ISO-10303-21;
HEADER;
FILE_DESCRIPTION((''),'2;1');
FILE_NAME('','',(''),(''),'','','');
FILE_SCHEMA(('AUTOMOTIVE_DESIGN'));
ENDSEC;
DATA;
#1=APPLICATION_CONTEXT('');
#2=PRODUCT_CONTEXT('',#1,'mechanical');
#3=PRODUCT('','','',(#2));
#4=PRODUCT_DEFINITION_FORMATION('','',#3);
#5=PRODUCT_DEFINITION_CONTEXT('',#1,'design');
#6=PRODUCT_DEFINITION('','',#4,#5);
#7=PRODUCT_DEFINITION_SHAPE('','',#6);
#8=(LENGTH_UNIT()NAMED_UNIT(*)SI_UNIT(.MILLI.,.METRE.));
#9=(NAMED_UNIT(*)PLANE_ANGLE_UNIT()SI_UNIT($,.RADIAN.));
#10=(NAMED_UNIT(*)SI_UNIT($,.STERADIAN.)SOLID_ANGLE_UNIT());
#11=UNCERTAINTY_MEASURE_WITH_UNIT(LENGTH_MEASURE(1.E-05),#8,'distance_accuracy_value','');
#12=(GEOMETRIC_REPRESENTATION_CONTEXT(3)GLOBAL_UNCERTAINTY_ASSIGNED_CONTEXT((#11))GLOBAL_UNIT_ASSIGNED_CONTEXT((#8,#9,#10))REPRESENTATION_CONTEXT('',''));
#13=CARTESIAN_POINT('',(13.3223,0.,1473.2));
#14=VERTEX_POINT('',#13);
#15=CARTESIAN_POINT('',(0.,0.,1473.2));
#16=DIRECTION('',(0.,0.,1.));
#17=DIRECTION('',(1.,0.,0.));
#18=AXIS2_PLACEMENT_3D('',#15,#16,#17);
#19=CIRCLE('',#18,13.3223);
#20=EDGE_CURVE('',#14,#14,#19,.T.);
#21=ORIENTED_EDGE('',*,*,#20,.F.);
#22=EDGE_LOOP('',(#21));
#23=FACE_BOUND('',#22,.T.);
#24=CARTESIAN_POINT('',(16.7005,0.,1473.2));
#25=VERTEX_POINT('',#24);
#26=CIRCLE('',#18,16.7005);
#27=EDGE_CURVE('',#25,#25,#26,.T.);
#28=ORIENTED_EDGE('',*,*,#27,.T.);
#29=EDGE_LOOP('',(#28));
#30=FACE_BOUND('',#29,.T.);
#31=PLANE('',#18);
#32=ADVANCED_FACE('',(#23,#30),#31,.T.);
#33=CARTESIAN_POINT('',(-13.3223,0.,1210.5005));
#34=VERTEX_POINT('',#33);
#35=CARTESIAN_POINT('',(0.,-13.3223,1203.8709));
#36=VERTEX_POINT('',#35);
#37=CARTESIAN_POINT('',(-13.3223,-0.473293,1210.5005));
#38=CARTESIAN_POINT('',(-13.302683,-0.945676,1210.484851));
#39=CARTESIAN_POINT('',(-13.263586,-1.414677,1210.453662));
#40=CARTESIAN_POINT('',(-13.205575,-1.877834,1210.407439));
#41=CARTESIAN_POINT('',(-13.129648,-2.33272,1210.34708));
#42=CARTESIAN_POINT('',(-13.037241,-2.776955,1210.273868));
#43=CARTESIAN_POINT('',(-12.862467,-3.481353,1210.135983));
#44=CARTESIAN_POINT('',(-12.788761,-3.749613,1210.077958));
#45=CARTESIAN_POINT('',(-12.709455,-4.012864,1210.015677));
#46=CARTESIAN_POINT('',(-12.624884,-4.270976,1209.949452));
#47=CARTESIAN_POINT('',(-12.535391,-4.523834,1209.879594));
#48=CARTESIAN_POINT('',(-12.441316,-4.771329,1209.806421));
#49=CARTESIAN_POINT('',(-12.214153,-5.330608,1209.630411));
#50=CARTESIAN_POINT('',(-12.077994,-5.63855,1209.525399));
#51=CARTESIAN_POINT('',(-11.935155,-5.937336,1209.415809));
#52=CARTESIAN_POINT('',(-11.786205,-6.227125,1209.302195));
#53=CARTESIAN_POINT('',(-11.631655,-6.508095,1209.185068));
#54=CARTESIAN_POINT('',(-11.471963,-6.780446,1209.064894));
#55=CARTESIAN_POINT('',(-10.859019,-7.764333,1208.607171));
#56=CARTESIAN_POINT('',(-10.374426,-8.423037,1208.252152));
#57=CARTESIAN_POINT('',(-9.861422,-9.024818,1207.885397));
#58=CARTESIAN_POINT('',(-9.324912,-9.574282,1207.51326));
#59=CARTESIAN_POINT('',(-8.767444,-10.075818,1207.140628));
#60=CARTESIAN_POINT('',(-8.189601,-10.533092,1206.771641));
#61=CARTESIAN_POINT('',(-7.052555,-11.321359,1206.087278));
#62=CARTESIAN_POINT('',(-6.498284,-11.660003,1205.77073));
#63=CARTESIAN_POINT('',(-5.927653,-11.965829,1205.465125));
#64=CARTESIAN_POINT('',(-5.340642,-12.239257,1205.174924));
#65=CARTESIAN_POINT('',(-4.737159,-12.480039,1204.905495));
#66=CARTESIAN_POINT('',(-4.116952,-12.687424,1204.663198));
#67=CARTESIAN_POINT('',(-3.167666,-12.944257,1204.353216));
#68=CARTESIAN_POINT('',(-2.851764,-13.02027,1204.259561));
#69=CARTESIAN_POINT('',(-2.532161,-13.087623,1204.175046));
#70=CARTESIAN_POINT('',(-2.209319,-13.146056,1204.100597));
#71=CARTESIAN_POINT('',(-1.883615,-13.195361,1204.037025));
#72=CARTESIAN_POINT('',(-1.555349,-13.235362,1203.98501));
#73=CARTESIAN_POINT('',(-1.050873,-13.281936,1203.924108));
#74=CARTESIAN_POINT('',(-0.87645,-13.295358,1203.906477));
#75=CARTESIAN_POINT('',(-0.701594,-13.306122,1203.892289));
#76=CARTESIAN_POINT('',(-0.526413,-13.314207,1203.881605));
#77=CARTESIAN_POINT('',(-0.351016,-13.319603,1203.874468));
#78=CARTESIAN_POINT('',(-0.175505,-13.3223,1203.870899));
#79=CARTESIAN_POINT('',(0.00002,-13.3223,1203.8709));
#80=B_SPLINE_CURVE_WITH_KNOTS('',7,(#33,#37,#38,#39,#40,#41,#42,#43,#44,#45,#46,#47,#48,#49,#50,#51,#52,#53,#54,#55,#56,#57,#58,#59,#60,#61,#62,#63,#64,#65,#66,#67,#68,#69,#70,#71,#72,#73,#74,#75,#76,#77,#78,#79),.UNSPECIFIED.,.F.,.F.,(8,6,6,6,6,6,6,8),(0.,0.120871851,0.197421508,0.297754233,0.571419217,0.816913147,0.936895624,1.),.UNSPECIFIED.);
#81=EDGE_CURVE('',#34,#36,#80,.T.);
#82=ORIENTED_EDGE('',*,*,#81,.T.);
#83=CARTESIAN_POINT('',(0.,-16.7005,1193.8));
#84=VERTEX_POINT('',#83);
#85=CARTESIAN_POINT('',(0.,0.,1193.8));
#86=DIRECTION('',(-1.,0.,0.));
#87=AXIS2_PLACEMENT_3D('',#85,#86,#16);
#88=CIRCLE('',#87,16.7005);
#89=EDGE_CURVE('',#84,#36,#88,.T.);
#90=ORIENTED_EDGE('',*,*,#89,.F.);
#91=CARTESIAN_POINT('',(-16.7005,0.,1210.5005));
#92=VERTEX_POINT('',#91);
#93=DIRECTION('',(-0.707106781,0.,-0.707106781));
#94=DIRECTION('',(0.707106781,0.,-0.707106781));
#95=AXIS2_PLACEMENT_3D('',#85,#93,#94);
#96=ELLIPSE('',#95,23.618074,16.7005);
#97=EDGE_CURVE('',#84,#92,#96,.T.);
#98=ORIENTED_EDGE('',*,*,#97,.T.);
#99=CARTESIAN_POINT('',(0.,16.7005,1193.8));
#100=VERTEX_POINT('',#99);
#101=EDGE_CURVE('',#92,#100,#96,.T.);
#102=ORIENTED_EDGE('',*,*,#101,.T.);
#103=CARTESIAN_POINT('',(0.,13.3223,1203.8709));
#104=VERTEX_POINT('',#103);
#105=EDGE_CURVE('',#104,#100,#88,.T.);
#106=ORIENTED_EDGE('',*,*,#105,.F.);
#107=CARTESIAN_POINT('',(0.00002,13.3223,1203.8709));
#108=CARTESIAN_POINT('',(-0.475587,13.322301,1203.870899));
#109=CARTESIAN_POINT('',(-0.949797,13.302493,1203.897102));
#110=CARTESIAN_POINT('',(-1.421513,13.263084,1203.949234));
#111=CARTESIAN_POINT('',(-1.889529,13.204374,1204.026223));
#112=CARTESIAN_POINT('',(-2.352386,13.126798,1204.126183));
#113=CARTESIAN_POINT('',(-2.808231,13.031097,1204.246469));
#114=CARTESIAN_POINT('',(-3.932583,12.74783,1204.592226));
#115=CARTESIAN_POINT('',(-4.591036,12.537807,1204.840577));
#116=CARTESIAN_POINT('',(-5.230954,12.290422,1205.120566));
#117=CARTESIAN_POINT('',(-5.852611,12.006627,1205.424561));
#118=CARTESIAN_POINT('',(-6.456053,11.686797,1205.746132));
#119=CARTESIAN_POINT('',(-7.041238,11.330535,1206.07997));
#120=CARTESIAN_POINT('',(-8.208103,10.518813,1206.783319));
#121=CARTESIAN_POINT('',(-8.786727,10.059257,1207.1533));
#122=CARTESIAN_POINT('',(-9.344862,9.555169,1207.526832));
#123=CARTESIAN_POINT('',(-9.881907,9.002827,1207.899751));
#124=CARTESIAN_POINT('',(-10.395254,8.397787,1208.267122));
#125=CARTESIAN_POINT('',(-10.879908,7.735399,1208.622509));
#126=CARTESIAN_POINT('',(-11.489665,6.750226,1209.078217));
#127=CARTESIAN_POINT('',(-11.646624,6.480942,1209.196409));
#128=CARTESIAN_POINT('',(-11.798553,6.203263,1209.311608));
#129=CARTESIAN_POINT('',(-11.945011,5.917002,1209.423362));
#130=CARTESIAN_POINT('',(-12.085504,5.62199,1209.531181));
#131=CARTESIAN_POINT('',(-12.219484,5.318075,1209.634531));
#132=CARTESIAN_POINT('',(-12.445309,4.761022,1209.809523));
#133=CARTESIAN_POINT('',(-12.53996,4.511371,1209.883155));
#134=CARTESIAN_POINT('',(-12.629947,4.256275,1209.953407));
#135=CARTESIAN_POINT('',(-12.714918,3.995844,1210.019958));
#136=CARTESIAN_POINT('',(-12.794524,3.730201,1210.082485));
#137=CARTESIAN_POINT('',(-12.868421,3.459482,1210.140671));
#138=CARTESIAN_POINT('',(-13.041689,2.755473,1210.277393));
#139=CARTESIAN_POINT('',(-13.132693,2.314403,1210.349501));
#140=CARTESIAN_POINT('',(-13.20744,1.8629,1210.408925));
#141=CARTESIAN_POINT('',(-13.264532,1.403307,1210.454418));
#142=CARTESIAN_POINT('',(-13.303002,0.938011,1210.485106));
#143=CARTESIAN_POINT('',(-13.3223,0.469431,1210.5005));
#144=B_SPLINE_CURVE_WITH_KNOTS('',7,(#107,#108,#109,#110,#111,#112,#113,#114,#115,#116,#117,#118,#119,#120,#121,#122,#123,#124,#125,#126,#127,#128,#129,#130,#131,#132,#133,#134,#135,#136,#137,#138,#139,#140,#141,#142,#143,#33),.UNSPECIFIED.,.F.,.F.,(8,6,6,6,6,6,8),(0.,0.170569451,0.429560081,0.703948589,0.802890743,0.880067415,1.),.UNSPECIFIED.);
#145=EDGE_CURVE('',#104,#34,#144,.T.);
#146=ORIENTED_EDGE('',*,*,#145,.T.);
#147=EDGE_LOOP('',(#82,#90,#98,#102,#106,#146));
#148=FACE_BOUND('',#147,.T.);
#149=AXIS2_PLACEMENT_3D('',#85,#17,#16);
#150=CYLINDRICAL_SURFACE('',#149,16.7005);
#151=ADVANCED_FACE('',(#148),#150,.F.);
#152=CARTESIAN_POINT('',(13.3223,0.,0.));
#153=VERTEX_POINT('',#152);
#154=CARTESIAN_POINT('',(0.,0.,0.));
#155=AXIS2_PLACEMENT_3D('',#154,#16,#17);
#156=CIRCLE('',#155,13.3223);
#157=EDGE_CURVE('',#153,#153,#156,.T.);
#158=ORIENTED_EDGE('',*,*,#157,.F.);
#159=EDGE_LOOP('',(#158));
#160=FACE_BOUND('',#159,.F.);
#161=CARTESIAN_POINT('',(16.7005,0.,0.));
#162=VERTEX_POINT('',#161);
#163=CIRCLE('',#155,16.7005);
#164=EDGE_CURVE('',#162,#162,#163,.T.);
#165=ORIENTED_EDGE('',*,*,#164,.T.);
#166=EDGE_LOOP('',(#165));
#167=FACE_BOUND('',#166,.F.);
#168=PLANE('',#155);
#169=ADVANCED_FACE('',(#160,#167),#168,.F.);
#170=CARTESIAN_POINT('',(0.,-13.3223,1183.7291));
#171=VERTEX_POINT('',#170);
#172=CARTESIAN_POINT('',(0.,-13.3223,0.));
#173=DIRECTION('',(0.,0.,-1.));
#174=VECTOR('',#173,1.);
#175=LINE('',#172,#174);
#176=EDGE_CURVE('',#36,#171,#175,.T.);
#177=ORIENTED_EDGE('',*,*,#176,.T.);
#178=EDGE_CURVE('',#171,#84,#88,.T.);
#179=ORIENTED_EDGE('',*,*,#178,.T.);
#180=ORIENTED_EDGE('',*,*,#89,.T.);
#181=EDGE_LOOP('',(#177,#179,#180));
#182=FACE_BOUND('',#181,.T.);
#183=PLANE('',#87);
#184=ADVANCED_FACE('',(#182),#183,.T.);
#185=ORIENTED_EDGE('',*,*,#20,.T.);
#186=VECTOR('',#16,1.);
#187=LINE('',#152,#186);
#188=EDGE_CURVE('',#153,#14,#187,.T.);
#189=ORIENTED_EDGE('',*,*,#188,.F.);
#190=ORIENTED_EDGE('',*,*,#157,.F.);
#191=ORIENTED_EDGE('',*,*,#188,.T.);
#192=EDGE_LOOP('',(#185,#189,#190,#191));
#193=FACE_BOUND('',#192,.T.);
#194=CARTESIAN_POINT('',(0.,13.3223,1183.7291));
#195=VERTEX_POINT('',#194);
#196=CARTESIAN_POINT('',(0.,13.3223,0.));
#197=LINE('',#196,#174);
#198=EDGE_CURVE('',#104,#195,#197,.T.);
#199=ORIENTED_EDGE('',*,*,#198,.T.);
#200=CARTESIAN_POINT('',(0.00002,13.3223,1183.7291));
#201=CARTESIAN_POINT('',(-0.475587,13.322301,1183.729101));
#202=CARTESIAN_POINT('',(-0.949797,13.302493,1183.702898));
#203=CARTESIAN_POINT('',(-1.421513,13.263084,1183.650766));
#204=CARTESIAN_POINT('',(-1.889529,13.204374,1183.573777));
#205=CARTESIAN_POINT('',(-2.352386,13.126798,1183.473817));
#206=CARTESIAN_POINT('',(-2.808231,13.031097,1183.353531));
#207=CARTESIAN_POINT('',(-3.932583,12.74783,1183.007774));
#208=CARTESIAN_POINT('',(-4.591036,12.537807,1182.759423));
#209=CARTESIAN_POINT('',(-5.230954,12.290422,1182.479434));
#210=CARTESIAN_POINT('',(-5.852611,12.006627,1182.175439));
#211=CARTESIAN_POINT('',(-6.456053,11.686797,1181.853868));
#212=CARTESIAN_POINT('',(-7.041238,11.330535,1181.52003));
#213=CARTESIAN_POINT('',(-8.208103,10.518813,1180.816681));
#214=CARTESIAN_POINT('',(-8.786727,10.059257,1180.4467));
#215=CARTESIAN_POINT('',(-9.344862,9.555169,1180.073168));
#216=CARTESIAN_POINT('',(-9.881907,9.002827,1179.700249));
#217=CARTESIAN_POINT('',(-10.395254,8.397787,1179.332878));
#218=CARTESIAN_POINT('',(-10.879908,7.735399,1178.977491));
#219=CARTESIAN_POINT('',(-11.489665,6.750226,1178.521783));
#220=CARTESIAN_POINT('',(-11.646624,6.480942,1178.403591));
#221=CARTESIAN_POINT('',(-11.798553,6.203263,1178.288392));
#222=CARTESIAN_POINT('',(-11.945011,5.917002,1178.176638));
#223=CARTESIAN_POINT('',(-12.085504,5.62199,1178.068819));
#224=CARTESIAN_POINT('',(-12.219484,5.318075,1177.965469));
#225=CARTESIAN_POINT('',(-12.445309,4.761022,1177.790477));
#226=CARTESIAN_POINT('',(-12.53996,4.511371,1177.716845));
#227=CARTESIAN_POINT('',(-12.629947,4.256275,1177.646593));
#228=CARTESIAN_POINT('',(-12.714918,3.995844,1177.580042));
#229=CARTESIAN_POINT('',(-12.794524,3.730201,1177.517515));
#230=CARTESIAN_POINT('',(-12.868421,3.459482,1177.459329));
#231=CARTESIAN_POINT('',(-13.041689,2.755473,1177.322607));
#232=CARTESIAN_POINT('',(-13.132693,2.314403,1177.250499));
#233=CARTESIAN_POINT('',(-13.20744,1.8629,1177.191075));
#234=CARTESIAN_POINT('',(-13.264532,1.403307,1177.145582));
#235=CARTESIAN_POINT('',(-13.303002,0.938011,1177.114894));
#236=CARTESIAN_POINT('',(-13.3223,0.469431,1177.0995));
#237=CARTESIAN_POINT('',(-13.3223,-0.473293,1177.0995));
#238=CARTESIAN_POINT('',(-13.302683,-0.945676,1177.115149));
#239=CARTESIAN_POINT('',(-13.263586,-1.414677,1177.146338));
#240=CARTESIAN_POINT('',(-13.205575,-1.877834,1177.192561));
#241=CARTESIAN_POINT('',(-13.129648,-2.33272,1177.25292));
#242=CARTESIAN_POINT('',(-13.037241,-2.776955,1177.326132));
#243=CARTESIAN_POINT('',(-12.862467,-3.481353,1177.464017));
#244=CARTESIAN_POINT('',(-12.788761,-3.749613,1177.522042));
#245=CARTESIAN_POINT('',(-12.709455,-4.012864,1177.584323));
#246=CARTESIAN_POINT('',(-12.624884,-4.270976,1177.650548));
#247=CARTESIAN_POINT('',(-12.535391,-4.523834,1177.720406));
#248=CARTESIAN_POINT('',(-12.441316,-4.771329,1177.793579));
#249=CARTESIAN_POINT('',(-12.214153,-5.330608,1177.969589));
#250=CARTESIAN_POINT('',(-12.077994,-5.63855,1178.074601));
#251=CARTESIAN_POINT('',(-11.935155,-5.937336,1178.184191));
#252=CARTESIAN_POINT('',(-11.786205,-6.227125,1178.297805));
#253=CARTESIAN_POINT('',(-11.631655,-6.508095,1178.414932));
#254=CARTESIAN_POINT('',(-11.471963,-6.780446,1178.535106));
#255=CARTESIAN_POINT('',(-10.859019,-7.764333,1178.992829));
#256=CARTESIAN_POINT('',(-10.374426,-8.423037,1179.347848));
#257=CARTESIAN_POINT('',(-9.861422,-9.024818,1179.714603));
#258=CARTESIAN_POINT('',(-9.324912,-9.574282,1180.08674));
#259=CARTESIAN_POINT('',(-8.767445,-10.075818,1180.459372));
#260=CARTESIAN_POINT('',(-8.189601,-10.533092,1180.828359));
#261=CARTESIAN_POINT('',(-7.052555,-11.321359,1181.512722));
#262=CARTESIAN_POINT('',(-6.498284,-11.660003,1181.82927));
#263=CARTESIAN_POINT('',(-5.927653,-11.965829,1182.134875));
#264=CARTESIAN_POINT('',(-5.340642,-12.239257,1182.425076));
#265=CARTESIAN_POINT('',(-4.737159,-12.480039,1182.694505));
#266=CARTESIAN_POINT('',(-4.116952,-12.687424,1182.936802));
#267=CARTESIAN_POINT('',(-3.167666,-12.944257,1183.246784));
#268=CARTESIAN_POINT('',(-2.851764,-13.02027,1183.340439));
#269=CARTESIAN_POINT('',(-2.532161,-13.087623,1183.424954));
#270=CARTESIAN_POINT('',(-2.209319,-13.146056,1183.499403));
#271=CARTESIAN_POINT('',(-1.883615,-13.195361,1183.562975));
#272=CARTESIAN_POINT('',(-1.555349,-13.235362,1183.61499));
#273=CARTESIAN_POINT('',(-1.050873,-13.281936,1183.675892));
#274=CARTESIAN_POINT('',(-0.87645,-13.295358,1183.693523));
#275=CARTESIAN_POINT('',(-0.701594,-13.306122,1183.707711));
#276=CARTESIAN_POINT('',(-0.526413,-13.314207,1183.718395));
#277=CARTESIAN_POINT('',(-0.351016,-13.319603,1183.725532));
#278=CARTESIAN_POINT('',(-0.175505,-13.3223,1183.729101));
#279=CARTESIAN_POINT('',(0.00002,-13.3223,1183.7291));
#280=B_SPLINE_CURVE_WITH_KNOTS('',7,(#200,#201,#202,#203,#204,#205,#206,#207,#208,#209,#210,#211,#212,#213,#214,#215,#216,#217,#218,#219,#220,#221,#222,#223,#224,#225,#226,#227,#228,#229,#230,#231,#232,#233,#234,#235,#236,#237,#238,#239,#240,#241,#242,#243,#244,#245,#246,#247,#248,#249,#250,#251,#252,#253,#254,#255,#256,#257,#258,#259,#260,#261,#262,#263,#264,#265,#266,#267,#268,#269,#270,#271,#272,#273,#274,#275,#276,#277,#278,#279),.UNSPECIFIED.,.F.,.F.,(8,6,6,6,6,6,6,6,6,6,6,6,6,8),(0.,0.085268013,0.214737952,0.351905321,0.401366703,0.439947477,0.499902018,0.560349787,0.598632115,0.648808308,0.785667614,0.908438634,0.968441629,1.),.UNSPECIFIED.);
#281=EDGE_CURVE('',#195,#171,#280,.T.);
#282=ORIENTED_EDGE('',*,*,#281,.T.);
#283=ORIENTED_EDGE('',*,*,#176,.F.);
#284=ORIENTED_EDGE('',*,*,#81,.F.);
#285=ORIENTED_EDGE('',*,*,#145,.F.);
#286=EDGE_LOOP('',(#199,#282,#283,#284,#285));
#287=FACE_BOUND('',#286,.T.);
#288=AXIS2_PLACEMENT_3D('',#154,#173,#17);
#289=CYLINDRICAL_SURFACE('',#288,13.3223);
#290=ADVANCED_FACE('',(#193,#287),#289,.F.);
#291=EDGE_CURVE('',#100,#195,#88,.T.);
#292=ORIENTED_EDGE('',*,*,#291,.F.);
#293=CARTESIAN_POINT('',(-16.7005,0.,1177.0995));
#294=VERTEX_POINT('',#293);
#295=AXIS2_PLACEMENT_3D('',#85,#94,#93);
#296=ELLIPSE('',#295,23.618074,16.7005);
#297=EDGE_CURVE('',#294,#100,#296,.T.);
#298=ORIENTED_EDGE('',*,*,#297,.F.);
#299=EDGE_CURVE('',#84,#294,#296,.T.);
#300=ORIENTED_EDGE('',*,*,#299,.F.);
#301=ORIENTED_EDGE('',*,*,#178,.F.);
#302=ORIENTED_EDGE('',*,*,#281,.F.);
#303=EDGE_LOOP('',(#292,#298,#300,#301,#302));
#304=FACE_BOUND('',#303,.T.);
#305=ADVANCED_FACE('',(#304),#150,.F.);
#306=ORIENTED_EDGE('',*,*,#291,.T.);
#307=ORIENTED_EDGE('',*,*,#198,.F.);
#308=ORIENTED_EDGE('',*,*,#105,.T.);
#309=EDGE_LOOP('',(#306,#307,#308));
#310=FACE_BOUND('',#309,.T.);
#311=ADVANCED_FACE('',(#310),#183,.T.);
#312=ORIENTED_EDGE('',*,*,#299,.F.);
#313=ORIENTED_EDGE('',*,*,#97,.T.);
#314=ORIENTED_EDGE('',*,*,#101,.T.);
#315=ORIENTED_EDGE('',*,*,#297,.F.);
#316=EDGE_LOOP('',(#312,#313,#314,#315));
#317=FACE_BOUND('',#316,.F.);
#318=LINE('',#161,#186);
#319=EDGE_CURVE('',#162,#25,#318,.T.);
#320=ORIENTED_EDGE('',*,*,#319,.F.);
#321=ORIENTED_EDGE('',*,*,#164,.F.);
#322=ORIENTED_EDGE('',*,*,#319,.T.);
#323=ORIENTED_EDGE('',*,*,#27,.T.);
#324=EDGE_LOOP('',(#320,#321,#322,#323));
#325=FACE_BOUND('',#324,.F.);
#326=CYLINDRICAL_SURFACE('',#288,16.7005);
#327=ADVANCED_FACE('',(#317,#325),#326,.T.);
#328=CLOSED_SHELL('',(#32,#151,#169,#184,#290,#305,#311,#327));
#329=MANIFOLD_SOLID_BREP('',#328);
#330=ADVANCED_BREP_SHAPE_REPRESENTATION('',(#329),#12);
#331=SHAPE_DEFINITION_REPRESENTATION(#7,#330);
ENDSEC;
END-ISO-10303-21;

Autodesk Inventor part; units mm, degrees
ref_plane "Start plane" through (0, 0, 0) normal (0, 0, 1) x (1, 0, 0)
ref_plane "End plane" through (0, 0, 1473.2) normal (0, 0, 1) x (1, 0, 0)
sketch "Sketch" plane through (0, 0, 0) normal (0, 0, 1) x (1, 0, 0)
  circle A0 centre (0, 0) radius 13.3223
  circle A1 centre (0, 0) radius 16.7005
  dimension "d0" = 33.401
  dimension "d1" = 3.3782
extrude "Body" add sketch "Sketch" along normal up to surface (1473.2 mm away) from surface at 0
sketch "Sketch3" plane through (0, 0, 0) normal (0, 0, 1) x (1, 0, 0)
  line L0 (0, 0) -> (10, 0)
ref_plane "Work Plane3" through (0, 0, 0) normal (0, -1, 0) x (1, 0, 0)
sketch "Sketch4" plane through (0, 0, 0) normal (0, -1, 0) x (1, 0, 0)
  line L0 (-2, 0) -> (12, 0)
  line L1 (-2, 1473.2) -> (12, 1473.2)
  dimension "d7" = 1473.2
ref_plane "Work Plane4" through (0, 0, 1193.8) normal (-1, 0, 0) x (0, 0, 1)
ref_plane "Work Plane5" through (-2143.252, 0, 1193.8) normal (-1, 0, 0) x (0, 0, 1)
ref_plane "Work Plane6" through (-1071.626, 0, 1193.8) normal (-1, 0, 0) x (0, 0, 1)
sketch "Sketch5" plane through (-1071.626, 0, 1193.8) normal (-1, 0, 0) x (0, 0, 1)
  circle A0 centre (0, 0) radius 16.7005
  circle A1 centre (0, 0) radius 13.3223
extrude "Extrusion2" cut sketch "Sketch5" along normal up to surface (2143.252 mm away) from surface at -1071.626 contours A0 | A1
equation "\"d0\" = G_H"
equation "\"d1\" = G_T"
equation "\"d2\" = G_L"
equation "\"G_H\" = 33.401"
equation "\"G_T\" = 3.3782"
equation "\"G_L\" = d7"
equation "\"G_OFFSET_START\" = 0"
equation "\"G_OFFSET_END\" = 0"
equation "\"d5\" = G_OFFSET_END + B_L"
equation "\"B_L\" = 1473.2"
properties part number "ANSI - 1 x 0.133 - 58" material "Aluminum 6061"
